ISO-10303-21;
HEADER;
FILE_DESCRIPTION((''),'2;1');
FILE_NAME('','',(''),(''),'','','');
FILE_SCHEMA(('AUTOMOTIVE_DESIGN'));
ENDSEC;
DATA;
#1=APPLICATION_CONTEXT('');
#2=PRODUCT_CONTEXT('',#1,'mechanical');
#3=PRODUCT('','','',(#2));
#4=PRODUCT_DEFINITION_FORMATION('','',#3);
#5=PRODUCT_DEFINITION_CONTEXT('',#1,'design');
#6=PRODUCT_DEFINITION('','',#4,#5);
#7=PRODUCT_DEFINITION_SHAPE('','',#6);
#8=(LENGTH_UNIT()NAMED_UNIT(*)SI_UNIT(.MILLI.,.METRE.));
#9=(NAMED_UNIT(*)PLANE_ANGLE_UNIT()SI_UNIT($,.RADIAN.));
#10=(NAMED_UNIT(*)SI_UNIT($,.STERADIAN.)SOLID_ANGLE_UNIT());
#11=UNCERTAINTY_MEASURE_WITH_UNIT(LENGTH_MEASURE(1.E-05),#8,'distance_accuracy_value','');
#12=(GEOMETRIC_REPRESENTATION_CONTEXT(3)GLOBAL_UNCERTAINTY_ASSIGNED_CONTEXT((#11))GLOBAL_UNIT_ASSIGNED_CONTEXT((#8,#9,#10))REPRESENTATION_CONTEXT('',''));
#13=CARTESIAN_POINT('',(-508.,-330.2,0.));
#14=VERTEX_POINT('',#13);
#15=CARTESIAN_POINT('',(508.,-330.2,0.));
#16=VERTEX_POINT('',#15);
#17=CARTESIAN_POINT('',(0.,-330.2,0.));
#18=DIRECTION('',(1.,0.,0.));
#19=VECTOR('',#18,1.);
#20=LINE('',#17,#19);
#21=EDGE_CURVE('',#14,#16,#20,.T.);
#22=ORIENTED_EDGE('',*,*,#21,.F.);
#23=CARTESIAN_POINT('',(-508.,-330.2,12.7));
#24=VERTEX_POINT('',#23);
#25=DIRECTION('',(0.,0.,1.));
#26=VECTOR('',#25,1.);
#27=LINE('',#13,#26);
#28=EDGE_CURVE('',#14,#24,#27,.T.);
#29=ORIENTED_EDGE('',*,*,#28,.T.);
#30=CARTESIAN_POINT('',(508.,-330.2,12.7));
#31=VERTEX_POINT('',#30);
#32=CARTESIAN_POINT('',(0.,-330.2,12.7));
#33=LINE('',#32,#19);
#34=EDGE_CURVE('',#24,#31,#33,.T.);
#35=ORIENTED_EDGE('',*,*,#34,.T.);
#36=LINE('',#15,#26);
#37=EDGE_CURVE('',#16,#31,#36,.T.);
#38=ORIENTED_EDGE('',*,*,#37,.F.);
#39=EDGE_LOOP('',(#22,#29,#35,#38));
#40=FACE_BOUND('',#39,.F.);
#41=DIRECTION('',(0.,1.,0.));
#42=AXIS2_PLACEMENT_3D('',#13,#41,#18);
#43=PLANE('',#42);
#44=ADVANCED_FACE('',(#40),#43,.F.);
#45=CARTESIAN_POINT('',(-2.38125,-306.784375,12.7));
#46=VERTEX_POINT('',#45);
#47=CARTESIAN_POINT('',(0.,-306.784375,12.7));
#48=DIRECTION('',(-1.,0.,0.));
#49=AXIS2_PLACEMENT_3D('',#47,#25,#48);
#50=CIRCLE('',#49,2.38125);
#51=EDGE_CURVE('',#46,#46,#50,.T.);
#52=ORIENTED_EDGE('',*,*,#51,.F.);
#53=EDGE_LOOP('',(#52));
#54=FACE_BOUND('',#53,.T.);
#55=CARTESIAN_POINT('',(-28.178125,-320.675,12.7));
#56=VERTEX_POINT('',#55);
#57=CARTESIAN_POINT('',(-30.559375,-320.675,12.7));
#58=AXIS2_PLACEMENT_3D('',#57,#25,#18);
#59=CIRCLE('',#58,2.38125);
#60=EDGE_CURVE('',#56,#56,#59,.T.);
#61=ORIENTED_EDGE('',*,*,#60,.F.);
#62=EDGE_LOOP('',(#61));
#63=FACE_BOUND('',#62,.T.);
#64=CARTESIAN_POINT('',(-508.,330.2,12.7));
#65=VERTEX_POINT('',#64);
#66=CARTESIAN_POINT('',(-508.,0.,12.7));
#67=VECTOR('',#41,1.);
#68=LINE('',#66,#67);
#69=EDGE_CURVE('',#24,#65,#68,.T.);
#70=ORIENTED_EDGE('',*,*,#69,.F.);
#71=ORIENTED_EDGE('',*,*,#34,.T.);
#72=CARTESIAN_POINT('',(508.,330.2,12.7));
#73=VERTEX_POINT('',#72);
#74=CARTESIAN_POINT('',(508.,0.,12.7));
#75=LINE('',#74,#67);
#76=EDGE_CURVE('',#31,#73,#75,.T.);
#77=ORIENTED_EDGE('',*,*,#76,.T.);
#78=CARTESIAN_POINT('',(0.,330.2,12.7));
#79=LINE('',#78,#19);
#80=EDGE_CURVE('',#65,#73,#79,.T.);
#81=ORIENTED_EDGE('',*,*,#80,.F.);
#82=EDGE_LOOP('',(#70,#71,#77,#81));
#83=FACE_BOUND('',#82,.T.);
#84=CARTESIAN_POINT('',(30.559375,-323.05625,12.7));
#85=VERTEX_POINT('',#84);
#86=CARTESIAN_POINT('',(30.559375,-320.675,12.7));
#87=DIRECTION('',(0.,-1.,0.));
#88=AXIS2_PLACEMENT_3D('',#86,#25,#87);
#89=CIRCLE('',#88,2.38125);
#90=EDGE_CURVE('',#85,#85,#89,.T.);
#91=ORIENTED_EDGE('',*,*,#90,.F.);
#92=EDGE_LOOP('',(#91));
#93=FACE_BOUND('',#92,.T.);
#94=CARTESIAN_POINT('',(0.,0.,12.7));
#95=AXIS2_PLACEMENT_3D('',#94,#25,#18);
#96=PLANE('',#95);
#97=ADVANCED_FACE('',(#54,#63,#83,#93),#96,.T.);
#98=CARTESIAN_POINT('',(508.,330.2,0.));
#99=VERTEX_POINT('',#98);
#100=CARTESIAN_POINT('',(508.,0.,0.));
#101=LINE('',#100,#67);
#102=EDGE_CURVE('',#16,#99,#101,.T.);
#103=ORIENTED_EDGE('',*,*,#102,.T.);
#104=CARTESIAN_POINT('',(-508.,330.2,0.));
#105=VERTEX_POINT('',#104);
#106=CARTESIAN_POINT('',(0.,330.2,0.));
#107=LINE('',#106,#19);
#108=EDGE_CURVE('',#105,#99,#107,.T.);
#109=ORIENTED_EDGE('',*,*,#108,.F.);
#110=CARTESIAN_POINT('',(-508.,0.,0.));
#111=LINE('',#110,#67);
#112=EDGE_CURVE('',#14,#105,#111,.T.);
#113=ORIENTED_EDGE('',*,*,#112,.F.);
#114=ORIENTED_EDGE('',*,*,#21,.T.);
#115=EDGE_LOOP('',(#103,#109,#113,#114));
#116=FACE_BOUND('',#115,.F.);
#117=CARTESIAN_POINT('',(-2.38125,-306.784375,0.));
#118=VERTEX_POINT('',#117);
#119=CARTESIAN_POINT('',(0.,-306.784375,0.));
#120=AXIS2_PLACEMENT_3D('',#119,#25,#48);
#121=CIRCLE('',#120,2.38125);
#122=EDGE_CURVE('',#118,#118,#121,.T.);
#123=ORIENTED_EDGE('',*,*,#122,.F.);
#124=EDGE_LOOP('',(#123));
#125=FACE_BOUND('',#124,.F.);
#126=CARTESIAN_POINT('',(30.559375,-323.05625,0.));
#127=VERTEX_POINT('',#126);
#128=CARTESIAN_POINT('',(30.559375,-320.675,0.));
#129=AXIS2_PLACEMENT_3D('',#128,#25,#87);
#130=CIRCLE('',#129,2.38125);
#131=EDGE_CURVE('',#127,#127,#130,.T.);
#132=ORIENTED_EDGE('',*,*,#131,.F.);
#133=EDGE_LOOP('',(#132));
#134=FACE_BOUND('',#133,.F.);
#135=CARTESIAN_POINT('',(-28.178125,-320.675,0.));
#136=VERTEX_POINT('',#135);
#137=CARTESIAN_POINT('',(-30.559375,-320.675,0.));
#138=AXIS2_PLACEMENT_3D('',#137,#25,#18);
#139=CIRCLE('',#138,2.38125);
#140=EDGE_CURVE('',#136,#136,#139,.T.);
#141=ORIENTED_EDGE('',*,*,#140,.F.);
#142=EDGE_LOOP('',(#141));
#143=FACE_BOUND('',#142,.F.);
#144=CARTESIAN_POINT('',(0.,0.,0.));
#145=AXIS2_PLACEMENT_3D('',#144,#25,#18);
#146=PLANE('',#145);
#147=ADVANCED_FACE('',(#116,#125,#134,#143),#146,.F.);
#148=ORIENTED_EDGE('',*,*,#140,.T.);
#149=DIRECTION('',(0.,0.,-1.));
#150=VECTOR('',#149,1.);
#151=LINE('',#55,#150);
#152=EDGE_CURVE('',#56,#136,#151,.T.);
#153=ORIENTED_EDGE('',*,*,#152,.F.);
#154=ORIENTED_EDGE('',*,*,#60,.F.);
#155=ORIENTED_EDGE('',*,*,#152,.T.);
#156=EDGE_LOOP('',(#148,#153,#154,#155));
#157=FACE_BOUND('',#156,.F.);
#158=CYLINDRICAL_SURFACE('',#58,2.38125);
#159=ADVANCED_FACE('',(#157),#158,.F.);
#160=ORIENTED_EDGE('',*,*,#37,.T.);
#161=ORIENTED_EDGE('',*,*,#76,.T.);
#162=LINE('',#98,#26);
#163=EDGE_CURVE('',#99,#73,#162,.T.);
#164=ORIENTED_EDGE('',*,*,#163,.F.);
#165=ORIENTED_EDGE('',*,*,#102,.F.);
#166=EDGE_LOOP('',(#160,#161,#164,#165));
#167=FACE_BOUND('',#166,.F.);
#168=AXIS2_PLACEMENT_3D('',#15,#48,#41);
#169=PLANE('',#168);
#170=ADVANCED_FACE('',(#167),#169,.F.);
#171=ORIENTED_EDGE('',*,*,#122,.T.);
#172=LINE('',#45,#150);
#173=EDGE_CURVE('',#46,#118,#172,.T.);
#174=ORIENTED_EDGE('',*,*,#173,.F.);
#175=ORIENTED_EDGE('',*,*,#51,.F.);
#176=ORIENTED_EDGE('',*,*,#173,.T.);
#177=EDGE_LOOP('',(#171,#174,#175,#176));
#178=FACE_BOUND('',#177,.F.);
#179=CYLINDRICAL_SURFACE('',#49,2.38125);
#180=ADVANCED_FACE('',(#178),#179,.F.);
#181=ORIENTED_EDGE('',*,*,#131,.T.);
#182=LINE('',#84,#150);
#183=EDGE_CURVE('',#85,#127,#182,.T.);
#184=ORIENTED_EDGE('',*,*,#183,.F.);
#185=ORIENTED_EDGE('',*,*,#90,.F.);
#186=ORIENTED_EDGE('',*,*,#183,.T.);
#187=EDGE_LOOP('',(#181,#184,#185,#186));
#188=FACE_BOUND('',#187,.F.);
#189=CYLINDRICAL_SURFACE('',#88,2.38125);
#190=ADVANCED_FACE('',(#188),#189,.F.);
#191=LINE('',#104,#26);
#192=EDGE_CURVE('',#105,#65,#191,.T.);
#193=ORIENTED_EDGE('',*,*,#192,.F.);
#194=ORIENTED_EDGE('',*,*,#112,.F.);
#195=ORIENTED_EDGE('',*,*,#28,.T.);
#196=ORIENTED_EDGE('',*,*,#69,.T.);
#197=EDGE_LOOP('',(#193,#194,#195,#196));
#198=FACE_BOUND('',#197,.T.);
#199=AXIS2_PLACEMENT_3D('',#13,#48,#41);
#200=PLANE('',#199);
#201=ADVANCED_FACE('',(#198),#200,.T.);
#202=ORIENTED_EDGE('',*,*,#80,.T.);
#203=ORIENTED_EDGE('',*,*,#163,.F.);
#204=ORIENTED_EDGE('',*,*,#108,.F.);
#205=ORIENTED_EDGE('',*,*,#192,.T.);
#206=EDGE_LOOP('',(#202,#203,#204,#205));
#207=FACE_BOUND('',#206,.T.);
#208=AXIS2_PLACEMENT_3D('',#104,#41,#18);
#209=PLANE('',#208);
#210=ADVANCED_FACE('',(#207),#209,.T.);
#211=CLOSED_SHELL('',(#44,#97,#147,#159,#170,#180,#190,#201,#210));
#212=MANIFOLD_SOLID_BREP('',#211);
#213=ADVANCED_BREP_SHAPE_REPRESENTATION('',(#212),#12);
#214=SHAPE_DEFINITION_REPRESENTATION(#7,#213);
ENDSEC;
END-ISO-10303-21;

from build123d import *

# Parameters (mm, degrees)
F0_W     = 1016
F0_H     = 660.4
F1_DEPTH = 12.7
F3_DEPTH = 25.4


with BuildPart() as f1:
    # F0 (on Top) → F1 (new body)
    with BuildSketch(Plane.XY):
        Rectangle(F0_W, F0_H)
    extrude(amount=F1_DEPTH)

    # F2 (on face) → F3 (cut)
    with BuildSketch(Plane.XY.offset(12.7)):
        with BuildLine():
            ThreePointArc((2.38125, -306.784375), (0, -304.403125), (-2.38125, -306.784375))
            ThreePointArc((-2.38125, -306.784375), (0, -309.165625), (2.38125, -306.784375))
        make_face()
        with BuildLine():
            ThreePointArc((28.178125, -320.675), (28.8755769773, -322.3587980227), (30.559375, -323.05625))
            Line((30.559375, -323.05625), (30.559375, -320.675))
            Line((30.559375, -320.675), (28.178125, -320.675))
        make_face()
        with BuildLine():
            Line((30.559375, -320.675), (30.559375, -323.05625))
            ThreePointArc((30.559375, -323.05625), (32.2431730227, -322.3587980227), (32.940625, -320.675))
            ThreePointArc((32.940625, -320.675), (30.559375, -318.29375), (28.178125, -320.675))
            Line((28.178125, -320.675), (30.559375, -320.675))
        make_face()
        with BuildLine():
            Line((-30.559375, -320.675), (-30.559375, -323.05625))
            ThreePointArc((-30.559375, -323.05625), (-28.8755769773, -322.3587980227), (-28.178125, -320.675))
            Line((-28.178125, -320.675), (-30.559375, -320.675))
        make_face()
        with BuildLine():
            Line((-30.559375, -318.29375), (-30.559375, -320.675))
            Line((-30.559375, -320.675), (-28.178125, -320.675))
            ThreePointArc((-28.178125, -320.675), (-28.8755769773, -318.9912019773), (-30.559375, -318.29375))
        make_face()
        with BuildLine():
            ThreePointArc((-30.559375, -318.29375), (-32.940625, -320.675), (-30.559375, -323.05625))
            Line((-30.559375, -323.05625), (-30.559375, -320.675))
            Line((-30.559375, -320.675), (-30.559375, -318.29375))
        make_face()
    extrude(amount=-F3_DEPTH, mode=Mode.SUBTRACT)


solid = f1.part
